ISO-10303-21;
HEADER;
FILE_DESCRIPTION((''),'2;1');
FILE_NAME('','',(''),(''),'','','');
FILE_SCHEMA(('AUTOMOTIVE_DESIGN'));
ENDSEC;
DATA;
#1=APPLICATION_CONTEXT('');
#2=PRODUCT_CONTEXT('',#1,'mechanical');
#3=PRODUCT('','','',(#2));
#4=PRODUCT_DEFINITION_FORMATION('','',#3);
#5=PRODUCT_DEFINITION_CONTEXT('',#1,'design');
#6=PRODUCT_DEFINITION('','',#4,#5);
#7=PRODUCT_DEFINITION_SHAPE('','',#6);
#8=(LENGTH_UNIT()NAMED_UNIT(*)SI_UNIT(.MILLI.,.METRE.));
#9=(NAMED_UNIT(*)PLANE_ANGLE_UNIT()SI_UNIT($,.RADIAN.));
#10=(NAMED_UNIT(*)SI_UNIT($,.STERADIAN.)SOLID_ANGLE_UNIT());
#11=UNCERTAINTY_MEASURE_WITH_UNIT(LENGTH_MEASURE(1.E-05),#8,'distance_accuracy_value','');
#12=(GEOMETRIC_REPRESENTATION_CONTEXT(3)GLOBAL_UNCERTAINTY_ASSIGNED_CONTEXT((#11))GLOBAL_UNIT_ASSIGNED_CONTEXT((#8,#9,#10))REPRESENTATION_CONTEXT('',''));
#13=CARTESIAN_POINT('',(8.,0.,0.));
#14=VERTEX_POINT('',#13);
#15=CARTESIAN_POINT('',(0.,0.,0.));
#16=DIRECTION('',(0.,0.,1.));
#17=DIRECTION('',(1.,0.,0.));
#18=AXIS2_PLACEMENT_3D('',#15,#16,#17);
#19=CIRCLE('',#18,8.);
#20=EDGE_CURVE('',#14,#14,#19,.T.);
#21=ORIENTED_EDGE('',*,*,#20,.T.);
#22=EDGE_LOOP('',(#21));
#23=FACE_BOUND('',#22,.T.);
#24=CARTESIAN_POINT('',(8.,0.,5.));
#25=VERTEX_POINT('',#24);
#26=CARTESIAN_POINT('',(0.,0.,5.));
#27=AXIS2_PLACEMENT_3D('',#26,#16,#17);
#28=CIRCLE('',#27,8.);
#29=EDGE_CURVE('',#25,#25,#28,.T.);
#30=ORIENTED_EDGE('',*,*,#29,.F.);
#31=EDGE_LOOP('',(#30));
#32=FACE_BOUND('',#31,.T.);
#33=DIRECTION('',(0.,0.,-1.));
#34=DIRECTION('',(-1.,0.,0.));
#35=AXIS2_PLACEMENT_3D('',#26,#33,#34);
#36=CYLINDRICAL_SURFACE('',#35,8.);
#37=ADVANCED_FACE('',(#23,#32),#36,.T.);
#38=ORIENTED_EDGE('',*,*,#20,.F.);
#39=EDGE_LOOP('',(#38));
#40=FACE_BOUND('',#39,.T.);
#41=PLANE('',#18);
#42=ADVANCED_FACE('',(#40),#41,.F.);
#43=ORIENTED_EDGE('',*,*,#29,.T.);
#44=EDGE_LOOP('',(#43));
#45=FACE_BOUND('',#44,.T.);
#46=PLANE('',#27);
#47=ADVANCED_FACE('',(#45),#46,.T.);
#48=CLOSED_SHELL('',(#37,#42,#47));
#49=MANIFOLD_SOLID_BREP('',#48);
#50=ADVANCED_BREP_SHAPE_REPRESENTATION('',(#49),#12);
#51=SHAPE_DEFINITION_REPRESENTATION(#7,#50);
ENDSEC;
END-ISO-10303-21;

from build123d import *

# Parameters (mm, degrees)
SKETCH_1_R        = 8
PITCH_MOTOR_DEPTH = 5


with BuildPart() as part:
    # 草图1 → Pitch_Motor (new body)
    with BuildSketch(Plane.XY):
        Circle(SKETCH_1_R)
    extrude(amount=PITCH_MOTOR_DEPTH)


solid = part.part
